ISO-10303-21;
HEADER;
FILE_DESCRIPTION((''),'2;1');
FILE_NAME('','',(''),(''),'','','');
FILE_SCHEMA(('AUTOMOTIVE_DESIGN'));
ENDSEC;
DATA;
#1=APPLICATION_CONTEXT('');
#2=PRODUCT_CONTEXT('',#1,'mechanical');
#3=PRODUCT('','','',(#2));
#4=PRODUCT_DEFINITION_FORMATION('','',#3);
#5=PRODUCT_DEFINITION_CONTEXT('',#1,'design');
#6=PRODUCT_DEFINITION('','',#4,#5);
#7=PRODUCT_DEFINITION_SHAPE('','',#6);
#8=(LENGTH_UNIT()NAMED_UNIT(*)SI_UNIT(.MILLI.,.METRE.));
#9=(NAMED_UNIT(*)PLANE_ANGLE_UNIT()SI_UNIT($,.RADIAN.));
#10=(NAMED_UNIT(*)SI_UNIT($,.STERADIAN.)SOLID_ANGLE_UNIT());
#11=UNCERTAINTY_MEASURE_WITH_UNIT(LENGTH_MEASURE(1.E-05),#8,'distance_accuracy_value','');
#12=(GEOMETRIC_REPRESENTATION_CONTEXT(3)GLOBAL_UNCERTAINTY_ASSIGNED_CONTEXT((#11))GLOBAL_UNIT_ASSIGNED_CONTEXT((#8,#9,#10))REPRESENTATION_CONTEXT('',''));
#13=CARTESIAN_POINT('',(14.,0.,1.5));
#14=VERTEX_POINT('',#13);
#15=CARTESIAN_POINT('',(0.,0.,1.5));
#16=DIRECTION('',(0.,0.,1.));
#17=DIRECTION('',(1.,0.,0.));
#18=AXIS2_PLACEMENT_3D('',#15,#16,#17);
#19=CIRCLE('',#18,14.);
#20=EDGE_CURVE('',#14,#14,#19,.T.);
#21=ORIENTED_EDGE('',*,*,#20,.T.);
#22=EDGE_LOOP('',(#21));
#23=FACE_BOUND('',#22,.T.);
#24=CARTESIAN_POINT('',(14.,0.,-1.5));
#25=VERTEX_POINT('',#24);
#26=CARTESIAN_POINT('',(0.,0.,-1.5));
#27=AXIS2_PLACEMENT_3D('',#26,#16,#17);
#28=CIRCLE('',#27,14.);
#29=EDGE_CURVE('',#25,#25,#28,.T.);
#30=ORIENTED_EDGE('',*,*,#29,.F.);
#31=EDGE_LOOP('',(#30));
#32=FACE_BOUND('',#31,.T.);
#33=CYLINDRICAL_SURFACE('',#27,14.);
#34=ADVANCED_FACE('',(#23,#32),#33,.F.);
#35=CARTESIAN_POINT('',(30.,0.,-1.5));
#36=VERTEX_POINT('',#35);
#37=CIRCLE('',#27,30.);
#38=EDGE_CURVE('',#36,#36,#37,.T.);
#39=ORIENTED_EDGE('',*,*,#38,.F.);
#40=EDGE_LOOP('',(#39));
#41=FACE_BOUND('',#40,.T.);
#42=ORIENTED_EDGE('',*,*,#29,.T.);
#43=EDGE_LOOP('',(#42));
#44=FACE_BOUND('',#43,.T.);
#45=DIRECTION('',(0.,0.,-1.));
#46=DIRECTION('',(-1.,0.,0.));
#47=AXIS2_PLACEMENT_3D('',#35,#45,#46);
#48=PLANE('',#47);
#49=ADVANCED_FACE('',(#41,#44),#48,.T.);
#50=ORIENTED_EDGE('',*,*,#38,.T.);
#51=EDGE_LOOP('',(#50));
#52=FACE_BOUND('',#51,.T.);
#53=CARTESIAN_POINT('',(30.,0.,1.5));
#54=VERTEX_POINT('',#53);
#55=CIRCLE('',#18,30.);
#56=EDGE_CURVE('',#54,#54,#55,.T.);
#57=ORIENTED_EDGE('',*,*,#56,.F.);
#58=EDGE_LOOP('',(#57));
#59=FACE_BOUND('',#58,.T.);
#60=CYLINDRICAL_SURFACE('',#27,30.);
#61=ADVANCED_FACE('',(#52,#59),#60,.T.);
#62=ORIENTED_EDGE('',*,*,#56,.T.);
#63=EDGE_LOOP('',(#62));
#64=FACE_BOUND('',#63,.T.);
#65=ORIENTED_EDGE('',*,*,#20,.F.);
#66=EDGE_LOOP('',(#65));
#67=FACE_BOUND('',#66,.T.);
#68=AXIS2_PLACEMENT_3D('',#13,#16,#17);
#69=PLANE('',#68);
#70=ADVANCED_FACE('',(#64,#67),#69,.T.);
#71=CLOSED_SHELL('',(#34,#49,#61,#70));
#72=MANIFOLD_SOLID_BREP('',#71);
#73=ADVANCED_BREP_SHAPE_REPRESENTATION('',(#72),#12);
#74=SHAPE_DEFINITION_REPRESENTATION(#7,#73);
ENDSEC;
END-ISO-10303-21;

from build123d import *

# Parameters (mm, degrees)
SKETCH_1_W = 16
SKETCH_1_H = 3


with BuildPart() as part:
    # Эскиз1 → Повернуть1 (revolve)
    with BuildSketch(Plane(origin=(0, 0, 0), x_dir=(1, 0, 0), z_dir=(0, 1, 0))):
        with Locations((22, 0)):
            Rectangle(SKETCH_1_W, SKETCH_1_H)
    revolve(axis=Axis((0, 0, -1.5), (0, 0, 1)))


solid = part.part
